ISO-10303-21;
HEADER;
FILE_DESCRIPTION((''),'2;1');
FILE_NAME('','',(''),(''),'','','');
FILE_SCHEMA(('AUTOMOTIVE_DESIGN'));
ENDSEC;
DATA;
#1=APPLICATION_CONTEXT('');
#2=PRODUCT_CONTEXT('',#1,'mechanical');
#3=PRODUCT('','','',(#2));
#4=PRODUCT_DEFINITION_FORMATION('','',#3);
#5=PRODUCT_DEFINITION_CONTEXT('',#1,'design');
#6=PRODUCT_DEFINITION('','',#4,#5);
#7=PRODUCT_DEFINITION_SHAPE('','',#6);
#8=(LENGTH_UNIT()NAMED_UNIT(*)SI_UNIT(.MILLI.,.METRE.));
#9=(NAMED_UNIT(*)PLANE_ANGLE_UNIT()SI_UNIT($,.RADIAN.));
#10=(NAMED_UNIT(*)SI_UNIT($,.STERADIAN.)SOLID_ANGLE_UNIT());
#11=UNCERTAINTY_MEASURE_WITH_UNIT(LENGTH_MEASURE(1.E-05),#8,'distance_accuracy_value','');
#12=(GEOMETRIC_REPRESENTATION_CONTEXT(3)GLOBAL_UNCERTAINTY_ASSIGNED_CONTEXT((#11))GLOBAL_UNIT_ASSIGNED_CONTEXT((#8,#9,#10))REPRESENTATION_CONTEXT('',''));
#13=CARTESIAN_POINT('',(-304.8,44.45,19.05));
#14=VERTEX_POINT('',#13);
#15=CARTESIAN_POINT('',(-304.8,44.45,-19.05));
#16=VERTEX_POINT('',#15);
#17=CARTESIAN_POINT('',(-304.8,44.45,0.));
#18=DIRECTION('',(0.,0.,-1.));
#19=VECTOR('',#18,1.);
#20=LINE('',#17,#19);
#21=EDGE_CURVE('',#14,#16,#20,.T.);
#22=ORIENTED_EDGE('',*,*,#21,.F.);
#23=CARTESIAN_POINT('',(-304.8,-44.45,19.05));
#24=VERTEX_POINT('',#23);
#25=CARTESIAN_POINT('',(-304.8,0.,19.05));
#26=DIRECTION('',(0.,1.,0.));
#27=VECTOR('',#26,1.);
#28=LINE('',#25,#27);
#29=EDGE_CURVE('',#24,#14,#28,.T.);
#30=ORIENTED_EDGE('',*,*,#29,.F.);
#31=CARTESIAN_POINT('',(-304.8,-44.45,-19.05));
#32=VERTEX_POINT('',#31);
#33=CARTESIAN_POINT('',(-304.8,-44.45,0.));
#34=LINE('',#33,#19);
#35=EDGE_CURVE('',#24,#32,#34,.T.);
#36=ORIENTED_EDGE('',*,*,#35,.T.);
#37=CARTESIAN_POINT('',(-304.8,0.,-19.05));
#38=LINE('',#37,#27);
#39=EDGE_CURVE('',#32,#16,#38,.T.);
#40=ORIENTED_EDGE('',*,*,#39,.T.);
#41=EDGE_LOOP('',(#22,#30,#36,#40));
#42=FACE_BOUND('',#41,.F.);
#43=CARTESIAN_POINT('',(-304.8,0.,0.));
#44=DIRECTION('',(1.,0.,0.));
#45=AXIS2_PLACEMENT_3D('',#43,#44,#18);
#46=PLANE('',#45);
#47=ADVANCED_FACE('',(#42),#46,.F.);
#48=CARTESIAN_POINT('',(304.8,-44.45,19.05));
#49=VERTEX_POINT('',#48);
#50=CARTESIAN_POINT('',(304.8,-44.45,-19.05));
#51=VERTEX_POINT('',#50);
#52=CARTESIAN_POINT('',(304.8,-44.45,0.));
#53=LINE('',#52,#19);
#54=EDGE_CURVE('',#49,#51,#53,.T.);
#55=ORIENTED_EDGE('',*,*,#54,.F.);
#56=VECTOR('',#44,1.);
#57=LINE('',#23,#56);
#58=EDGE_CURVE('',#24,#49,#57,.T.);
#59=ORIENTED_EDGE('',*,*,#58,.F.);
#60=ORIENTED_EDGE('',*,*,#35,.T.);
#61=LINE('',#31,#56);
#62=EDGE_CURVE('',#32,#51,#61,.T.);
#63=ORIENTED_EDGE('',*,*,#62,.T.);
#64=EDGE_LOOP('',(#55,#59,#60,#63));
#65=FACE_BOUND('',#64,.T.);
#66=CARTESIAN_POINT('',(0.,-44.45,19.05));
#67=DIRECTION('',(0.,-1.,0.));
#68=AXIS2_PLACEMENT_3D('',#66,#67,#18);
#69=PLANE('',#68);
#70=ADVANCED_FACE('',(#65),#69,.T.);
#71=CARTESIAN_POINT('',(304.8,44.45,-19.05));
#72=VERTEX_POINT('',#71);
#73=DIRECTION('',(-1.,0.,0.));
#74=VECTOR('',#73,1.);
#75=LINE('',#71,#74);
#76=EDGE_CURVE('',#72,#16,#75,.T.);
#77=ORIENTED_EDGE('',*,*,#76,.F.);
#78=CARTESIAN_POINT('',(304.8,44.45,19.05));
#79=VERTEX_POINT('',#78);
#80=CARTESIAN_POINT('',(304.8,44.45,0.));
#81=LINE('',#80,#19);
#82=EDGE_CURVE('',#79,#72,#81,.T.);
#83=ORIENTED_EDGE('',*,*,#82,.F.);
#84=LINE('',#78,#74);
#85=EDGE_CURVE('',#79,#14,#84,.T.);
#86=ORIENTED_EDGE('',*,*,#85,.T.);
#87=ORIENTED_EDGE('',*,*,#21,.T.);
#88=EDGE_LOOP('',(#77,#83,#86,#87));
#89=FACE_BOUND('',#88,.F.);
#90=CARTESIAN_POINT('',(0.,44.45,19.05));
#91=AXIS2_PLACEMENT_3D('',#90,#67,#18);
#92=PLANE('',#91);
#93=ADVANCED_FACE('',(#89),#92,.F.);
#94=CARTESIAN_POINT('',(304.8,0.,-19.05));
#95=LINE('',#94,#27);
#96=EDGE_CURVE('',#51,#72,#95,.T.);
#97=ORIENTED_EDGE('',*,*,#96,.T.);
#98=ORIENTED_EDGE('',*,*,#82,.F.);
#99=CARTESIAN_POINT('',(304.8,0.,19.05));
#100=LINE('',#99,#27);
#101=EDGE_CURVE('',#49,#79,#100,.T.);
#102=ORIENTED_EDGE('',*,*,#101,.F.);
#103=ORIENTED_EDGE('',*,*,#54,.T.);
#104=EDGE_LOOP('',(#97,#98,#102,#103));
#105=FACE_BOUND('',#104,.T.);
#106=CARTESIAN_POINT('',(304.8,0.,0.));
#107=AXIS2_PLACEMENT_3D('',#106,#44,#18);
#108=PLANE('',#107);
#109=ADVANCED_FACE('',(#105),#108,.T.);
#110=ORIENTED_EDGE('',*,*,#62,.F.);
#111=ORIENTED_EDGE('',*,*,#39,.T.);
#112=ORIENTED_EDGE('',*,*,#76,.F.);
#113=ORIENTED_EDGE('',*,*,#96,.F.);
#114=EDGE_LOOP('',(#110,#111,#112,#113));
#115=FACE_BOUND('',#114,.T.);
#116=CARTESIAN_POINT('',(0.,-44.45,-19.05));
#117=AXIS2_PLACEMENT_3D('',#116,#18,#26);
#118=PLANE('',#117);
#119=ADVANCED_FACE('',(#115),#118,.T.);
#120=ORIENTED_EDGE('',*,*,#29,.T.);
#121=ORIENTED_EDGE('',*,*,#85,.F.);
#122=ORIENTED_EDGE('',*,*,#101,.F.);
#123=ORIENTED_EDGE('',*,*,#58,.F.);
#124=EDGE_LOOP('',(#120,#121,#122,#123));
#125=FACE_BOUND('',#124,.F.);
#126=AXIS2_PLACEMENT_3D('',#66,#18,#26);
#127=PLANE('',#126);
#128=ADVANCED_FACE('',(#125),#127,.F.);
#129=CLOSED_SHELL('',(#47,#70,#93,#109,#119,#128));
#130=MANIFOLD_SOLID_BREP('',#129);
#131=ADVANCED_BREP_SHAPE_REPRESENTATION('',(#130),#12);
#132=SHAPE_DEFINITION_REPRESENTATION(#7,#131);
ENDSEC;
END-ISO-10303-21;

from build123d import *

# Parameters (mm, degrees)
BOSS_EXTRUDE1_DEPTH      = 304.8
BOSS_EXTRUDE1_DEPTH_BACK = 304.8
SKETCH3_W                = 38.1
SKETCH3_H                = 88.9


with BuildPart() as part:
    # Sketch3 → Boss-Extrude1 (new, two sides: drawn at the far end of the back side and taken through both)
    with BuildSketch(Plane(origin=(0, 0, 0), x_dir=(0, 0, -1), z_dir=(1, 0, 0)).offset(-BOSS_EXTRUDE1_DEPTH_BACK)):
        Rectangle(SKETCH3_W, SKETCH3_H)
    extrude(amount=BOSS_EXTRUDE1_DEPTH + BOSS_EXTRUDE1_DEPTH_BACK)


solid = part.part
